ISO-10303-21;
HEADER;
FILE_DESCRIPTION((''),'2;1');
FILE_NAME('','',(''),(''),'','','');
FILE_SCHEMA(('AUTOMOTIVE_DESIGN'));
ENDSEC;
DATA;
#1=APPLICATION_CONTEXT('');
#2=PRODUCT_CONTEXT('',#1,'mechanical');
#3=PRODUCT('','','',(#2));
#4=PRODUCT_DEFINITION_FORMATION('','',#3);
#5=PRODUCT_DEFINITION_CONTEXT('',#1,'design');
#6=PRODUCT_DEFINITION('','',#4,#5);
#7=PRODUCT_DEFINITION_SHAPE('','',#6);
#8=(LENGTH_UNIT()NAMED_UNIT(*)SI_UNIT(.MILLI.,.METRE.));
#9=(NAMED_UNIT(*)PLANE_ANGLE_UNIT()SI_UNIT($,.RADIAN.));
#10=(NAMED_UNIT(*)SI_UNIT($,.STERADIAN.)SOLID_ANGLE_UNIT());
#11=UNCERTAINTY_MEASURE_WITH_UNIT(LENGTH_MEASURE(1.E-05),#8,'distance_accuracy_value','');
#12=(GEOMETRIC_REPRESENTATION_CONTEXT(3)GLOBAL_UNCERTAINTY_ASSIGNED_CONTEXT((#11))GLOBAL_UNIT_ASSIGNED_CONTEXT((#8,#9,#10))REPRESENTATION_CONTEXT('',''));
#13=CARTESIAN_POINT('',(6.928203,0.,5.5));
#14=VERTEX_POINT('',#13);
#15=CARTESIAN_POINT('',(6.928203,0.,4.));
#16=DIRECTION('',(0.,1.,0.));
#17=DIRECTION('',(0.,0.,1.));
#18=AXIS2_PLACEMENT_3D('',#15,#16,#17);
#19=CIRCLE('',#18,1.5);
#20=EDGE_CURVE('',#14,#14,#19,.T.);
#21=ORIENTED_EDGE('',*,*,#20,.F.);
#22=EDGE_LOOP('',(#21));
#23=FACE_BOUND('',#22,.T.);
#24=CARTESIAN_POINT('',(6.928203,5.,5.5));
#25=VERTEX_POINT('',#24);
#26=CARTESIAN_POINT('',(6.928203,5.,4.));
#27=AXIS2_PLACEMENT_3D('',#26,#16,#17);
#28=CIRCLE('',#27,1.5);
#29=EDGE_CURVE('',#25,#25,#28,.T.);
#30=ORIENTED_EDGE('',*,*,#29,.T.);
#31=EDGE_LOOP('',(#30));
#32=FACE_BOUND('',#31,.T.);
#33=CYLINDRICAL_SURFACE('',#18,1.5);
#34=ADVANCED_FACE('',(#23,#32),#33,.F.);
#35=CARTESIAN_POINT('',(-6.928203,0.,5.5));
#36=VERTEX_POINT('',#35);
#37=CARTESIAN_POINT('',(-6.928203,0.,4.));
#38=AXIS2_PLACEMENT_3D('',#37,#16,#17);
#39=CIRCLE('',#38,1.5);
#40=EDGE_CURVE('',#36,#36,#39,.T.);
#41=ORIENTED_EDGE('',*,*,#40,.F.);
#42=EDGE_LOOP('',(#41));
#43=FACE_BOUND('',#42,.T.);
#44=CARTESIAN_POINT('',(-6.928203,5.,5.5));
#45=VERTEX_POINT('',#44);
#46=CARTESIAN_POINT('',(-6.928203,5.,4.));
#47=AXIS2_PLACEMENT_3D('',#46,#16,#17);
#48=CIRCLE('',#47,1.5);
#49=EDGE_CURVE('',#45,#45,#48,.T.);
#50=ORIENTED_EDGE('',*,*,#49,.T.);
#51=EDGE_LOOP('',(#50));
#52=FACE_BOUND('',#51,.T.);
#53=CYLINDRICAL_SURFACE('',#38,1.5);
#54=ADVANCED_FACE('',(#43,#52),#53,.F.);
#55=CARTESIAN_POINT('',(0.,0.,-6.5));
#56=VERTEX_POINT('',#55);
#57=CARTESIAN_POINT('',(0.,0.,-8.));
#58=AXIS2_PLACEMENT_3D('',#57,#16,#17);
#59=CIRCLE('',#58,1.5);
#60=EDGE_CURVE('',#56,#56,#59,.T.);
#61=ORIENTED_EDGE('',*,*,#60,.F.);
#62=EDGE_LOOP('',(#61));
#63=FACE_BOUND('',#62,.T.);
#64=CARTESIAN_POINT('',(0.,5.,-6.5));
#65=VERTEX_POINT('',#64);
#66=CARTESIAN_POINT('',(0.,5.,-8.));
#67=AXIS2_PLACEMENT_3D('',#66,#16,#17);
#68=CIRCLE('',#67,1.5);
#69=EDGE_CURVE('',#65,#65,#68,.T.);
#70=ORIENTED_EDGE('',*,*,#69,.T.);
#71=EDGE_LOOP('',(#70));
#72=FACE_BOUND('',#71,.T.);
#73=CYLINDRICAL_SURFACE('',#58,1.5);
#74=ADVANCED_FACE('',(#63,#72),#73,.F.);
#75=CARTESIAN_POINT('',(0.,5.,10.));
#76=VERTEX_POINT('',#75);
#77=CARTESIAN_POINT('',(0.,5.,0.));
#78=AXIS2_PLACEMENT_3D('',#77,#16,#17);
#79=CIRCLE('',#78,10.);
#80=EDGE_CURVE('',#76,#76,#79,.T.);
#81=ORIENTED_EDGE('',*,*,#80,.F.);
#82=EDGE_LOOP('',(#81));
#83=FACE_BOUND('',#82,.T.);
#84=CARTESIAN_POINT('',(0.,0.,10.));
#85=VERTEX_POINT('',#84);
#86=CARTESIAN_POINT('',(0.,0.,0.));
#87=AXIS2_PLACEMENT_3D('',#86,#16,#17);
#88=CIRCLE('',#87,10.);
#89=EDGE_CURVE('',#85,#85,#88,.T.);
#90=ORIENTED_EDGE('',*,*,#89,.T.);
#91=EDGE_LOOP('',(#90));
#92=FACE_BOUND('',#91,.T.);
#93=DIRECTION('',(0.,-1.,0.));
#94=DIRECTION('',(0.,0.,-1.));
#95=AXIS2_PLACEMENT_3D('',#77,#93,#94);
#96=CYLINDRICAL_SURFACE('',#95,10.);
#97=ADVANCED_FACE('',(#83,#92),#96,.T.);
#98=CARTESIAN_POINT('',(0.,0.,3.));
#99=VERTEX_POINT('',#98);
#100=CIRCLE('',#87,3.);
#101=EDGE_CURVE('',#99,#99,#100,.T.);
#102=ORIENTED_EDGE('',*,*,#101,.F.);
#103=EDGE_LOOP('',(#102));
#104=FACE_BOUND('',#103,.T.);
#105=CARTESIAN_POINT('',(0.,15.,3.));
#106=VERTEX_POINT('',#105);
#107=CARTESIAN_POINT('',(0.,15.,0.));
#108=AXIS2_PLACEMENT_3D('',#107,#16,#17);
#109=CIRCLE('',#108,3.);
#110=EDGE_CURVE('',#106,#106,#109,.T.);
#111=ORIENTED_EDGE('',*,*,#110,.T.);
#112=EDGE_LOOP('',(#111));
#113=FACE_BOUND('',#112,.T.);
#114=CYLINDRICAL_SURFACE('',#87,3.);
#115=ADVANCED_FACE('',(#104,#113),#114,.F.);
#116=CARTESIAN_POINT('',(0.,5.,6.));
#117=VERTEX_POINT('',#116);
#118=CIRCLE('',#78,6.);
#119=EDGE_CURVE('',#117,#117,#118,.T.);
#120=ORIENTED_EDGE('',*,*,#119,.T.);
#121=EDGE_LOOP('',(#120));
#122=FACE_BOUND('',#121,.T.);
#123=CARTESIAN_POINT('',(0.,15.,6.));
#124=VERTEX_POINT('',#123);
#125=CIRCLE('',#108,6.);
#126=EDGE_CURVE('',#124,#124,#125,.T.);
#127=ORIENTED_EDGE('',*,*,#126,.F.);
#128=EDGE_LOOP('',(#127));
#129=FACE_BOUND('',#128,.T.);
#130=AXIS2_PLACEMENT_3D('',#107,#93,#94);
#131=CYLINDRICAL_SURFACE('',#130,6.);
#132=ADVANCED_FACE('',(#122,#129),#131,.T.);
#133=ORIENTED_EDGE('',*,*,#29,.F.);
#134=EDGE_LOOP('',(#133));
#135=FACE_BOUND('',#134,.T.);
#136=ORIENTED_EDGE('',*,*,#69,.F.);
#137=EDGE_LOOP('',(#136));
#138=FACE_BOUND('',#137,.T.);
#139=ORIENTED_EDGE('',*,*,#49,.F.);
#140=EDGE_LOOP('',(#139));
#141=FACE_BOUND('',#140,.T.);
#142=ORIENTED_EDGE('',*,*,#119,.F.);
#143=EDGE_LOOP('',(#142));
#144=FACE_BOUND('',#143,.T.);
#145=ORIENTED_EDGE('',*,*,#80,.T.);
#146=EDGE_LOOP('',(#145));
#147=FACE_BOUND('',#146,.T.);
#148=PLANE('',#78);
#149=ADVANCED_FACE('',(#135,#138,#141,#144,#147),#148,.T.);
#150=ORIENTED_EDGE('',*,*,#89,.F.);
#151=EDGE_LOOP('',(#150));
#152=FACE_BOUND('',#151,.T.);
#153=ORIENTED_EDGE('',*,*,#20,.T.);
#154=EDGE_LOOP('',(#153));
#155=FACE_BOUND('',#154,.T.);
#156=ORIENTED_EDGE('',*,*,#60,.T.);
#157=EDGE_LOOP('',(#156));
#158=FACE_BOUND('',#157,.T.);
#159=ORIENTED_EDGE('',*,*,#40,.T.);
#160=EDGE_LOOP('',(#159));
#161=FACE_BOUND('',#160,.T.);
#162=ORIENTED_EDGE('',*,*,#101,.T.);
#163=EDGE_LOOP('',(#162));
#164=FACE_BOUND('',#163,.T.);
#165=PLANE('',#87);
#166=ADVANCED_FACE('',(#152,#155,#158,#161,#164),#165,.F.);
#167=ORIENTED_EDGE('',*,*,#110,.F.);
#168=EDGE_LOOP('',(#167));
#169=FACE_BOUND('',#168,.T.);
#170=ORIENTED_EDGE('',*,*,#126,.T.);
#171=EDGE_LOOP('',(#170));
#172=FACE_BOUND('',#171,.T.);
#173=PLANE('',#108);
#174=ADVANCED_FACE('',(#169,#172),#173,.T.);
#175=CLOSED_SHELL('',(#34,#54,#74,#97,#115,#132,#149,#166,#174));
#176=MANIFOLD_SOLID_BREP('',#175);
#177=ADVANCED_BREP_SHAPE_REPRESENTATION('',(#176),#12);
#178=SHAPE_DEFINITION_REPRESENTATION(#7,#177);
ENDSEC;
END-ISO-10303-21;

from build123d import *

# Parameters (mm, degrees)
SKETCH1_R           = 10
BOSS_EXTRUDE1_DEPTH = 5
SKETCH2_R           = 6
BOSS_EXTRUDE2_DEPTH = 10
SKETCH3_R           = 3
CUT_EXTRUDE1_DEPTH  = 21.615528128
SKETCH4_R           = 1.5
CUT_EXTRUDE2_DEPTH  = 18.320508076


with BuildPart() as part:
    # Sketch1 → Boss-Extrude1 (new body)
    with BuildSketch(Plane(origin=(0, 0, 0), x_dir=(1, 0, 0), z_dir=(0, 1, 0))):
        with Locations(Location((0, 0, 0), (0, 0, 270))):
            Circle(SKETCH1_R)
    extrude(amount=BOSS_EXTRUDE1_DEPTH)

    # Sketch2 → Boss-Extrude2 (add)
    with BuildSketch(Plane(origin=(0, 5, 0), x_dir=(1, 0, 0), z_dir=(0, 1, 0))):
        with Locations(Location((0, 0, 0), (0, 0, 270))):
            Circle(SKETCH2_R)
    extrude(amount=BOSS_EXTRUDE2_DEPTH)

    # Sketch3 → Cut-Extrude1 (cut, through all)
    with BuildSketch(Plane(origin=(0, 15, 0), x_dir=(1, 0, 0), z_dir=(0, 1, 0))):
        with Locations(Location((0, 0, 0), (0, 0, 270))):
            Circle(SKETCH3_R)
    extrude(amount=-CUT_EXTRUDE1_DEPTH, mode=Mode.SUBTRACT)

    # Sketch4 → Cut-Extrude2 (cut, through all)
    with BuildSketch(Plane(origin=(0, 5, 0), x_dir=(1, 0, 0), z_dir=(0, 1, 0))):
        with Locations(Location((0, 8, 0), (0, 0, 270))):
            Circle(SKETCH4_R)
        with Locations(Location((6.92820323, -4, 0), (0, 0, 270))):
            Circle(SKETCH4_R)
        with Locations(Location((-6.92820323, -4, 0), (0, 0, 270))):
            Circle(SKETCH4_R)
    extrude(amount=-CUT_EXTRUDE2_DEPTH, mode=Mode.SUBTRACT)


solid = part.part
